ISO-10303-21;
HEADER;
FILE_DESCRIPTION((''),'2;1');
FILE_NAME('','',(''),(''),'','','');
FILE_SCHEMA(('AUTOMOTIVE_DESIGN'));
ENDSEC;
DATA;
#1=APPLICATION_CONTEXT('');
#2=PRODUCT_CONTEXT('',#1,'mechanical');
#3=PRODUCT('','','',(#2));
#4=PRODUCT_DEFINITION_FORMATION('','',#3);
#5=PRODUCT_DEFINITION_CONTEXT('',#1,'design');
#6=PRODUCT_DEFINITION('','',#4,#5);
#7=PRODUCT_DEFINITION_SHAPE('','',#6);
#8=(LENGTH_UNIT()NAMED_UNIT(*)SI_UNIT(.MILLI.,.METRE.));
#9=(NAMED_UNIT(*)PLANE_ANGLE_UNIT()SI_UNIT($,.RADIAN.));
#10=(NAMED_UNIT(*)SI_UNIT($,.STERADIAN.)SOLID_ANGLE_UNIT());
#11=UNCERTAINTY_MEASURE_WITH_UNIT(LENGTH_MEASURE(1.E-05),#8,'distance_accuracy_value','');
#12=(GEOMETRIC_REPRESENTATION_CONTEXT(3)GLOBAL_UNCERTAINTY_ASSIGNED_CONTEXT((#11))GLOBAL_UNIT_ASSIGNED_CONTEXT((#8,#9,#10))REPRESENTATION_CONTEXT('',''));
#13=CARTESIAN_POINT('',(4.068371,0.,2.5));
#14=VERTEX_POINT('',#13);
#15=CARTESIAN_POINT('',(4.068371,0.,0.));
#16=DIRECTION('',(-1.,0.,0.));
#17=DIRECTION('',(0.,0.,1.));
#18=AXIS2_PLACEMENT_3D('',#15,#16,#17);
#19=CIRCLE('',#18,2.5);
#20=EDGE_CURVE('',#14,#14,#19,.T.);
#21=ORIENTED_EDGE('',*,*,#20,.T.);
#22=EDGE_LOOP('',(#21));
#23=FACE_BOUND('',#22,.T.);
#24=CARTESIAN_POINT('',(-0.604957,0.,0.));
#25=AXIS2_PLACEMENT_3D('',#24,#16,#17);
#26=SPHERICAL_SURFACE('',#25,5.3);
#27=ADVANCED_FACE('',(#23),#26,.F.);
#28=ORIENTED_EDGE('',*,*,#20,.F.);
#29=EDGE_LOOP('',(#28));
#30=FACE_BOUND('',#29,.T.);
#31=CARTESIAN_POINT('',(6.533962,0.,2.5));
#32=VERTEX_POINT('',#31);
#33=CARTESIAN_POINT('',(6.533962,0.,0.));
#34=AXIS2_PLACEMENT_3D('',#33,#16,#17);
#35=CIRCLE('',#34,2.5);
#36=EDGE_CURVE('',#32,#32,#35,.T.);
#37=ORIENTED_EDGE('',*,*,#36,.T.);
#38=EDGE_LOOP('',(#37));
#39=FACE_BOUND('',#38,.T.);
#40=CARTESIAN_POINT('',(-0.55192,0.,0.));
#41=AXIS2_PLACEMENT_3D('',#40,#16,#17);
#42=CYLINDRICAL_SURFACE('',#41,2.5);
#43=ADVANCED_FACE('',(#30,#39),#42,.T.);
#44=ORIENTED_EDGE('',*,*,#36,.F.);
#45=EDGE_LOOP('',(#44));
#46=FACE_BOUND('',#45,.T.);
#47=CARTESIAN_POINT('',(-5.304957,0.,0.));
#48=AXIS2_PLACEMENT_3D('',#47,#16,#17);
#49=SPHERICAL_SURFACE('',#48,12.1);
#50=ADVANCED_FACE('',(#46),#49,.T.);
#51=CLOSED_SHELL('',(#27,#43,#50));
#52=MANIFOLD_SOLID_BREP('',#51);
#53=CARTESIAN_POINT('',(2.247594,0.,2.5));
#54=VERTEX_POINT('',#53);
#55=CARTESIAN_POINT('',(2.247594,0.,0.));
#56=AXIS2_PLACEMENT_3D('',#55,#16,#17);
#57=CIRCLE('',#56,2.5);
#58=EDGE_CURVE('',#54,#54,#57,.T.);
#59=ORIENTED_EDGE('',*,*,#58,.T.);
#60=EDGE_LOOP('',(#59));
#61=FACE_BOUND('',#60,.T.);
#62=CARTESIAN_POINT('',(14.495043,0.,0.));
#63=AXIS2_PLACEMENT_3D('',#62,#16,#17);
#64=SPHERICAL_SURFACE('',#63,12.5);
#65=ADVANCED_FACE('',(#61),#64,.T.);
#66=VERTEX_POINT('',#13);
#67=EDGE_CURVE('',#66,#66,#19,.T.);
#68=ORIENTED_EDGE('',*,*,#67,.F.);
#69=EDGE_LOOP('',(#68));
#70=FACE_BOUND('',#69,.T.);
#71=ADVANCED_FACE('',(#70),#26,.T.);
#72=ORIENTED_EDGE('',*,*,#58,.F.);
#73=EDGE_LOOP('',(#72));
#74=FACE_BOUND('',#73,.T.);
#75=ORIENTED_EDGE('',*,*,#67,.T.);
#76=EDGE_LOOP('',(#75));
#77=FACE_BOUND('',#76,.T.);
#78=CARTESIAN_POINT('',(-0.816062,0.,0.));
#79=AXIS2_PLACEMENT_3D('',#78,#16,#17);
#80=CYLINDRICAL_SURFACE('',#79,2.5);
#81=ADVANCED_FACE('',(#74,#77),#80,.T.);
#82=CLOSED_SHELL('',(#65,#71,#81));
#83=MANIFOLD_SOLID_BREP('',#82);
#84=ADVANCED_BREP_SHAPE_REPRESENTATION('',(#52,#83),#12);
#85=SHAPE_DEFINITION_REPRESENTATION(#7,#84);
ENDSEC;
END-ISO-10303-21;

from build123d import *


with BuildPart() as part:
    # 草图1 one side → 旋转1 (revolve)
    with BuildSketch(Plane(origin=(0, 0, 0), x_dir=(1, 0, 0), z_dir=(0, 1, 0)), mode=Mode.PRIVATE) as revolve_1_sk:
        with BuildLine():
            ThreePointArc((2.247593992, 2.5), (2.058340793, 1.256362025), (1.995042706, 0))
            Line((1.995042706, 0), (4.695042706, 0))
            ThreePointArc((4.695042706, 0), (4.535988215, 1.288673453), (4.068371284, 2.5))
            Line((4.068371284, 2.5), (2.247593992, 2.5))
        make_face()
    revolve(revolve_1_sk.sketch.rotate(Axis((-0.816062176, 0, 0), (1, 0, 0)), 180), axis=Axis((-0.816062176, 0, 0), (1, 0, 0)))  # turned: the seam where the file's is


with BuildPart() as body_2:
    # 草图2 one side → 旋转3 (revolve)
    with BuildSketch(Plane(origin=(0, 0, 0), x_dir=(1, 0, 0), z_dir=(0, 1, 0)), mode=Mode.PRIVATE) as revolve_3_sk:
        with BuildLine():
            Line((6.533961575, 2.5), (4.068371284, 2.5))
            ThreePointArc((4.068371284, 2.5), (4.535988215, 1.288673453), (4.695042706, 0))
            Line((4.695042706, 0), (6.795042706, 0))
            ThreePointArc((6.795042706, 0), (6.729595425, 1.256797851), (6.533961575, 2.5))
        make_face()
    revolve(revolve_3_sk.sketch.rotate(Axis((-0.551919993, 0, 0), (1, 0, 0)), 180), axis=Axis((-0.551919993, 0, 0), (1, 0, 0)))  # turned: the seam where the file's is


solid = Compound([part.part, body_2.part])
